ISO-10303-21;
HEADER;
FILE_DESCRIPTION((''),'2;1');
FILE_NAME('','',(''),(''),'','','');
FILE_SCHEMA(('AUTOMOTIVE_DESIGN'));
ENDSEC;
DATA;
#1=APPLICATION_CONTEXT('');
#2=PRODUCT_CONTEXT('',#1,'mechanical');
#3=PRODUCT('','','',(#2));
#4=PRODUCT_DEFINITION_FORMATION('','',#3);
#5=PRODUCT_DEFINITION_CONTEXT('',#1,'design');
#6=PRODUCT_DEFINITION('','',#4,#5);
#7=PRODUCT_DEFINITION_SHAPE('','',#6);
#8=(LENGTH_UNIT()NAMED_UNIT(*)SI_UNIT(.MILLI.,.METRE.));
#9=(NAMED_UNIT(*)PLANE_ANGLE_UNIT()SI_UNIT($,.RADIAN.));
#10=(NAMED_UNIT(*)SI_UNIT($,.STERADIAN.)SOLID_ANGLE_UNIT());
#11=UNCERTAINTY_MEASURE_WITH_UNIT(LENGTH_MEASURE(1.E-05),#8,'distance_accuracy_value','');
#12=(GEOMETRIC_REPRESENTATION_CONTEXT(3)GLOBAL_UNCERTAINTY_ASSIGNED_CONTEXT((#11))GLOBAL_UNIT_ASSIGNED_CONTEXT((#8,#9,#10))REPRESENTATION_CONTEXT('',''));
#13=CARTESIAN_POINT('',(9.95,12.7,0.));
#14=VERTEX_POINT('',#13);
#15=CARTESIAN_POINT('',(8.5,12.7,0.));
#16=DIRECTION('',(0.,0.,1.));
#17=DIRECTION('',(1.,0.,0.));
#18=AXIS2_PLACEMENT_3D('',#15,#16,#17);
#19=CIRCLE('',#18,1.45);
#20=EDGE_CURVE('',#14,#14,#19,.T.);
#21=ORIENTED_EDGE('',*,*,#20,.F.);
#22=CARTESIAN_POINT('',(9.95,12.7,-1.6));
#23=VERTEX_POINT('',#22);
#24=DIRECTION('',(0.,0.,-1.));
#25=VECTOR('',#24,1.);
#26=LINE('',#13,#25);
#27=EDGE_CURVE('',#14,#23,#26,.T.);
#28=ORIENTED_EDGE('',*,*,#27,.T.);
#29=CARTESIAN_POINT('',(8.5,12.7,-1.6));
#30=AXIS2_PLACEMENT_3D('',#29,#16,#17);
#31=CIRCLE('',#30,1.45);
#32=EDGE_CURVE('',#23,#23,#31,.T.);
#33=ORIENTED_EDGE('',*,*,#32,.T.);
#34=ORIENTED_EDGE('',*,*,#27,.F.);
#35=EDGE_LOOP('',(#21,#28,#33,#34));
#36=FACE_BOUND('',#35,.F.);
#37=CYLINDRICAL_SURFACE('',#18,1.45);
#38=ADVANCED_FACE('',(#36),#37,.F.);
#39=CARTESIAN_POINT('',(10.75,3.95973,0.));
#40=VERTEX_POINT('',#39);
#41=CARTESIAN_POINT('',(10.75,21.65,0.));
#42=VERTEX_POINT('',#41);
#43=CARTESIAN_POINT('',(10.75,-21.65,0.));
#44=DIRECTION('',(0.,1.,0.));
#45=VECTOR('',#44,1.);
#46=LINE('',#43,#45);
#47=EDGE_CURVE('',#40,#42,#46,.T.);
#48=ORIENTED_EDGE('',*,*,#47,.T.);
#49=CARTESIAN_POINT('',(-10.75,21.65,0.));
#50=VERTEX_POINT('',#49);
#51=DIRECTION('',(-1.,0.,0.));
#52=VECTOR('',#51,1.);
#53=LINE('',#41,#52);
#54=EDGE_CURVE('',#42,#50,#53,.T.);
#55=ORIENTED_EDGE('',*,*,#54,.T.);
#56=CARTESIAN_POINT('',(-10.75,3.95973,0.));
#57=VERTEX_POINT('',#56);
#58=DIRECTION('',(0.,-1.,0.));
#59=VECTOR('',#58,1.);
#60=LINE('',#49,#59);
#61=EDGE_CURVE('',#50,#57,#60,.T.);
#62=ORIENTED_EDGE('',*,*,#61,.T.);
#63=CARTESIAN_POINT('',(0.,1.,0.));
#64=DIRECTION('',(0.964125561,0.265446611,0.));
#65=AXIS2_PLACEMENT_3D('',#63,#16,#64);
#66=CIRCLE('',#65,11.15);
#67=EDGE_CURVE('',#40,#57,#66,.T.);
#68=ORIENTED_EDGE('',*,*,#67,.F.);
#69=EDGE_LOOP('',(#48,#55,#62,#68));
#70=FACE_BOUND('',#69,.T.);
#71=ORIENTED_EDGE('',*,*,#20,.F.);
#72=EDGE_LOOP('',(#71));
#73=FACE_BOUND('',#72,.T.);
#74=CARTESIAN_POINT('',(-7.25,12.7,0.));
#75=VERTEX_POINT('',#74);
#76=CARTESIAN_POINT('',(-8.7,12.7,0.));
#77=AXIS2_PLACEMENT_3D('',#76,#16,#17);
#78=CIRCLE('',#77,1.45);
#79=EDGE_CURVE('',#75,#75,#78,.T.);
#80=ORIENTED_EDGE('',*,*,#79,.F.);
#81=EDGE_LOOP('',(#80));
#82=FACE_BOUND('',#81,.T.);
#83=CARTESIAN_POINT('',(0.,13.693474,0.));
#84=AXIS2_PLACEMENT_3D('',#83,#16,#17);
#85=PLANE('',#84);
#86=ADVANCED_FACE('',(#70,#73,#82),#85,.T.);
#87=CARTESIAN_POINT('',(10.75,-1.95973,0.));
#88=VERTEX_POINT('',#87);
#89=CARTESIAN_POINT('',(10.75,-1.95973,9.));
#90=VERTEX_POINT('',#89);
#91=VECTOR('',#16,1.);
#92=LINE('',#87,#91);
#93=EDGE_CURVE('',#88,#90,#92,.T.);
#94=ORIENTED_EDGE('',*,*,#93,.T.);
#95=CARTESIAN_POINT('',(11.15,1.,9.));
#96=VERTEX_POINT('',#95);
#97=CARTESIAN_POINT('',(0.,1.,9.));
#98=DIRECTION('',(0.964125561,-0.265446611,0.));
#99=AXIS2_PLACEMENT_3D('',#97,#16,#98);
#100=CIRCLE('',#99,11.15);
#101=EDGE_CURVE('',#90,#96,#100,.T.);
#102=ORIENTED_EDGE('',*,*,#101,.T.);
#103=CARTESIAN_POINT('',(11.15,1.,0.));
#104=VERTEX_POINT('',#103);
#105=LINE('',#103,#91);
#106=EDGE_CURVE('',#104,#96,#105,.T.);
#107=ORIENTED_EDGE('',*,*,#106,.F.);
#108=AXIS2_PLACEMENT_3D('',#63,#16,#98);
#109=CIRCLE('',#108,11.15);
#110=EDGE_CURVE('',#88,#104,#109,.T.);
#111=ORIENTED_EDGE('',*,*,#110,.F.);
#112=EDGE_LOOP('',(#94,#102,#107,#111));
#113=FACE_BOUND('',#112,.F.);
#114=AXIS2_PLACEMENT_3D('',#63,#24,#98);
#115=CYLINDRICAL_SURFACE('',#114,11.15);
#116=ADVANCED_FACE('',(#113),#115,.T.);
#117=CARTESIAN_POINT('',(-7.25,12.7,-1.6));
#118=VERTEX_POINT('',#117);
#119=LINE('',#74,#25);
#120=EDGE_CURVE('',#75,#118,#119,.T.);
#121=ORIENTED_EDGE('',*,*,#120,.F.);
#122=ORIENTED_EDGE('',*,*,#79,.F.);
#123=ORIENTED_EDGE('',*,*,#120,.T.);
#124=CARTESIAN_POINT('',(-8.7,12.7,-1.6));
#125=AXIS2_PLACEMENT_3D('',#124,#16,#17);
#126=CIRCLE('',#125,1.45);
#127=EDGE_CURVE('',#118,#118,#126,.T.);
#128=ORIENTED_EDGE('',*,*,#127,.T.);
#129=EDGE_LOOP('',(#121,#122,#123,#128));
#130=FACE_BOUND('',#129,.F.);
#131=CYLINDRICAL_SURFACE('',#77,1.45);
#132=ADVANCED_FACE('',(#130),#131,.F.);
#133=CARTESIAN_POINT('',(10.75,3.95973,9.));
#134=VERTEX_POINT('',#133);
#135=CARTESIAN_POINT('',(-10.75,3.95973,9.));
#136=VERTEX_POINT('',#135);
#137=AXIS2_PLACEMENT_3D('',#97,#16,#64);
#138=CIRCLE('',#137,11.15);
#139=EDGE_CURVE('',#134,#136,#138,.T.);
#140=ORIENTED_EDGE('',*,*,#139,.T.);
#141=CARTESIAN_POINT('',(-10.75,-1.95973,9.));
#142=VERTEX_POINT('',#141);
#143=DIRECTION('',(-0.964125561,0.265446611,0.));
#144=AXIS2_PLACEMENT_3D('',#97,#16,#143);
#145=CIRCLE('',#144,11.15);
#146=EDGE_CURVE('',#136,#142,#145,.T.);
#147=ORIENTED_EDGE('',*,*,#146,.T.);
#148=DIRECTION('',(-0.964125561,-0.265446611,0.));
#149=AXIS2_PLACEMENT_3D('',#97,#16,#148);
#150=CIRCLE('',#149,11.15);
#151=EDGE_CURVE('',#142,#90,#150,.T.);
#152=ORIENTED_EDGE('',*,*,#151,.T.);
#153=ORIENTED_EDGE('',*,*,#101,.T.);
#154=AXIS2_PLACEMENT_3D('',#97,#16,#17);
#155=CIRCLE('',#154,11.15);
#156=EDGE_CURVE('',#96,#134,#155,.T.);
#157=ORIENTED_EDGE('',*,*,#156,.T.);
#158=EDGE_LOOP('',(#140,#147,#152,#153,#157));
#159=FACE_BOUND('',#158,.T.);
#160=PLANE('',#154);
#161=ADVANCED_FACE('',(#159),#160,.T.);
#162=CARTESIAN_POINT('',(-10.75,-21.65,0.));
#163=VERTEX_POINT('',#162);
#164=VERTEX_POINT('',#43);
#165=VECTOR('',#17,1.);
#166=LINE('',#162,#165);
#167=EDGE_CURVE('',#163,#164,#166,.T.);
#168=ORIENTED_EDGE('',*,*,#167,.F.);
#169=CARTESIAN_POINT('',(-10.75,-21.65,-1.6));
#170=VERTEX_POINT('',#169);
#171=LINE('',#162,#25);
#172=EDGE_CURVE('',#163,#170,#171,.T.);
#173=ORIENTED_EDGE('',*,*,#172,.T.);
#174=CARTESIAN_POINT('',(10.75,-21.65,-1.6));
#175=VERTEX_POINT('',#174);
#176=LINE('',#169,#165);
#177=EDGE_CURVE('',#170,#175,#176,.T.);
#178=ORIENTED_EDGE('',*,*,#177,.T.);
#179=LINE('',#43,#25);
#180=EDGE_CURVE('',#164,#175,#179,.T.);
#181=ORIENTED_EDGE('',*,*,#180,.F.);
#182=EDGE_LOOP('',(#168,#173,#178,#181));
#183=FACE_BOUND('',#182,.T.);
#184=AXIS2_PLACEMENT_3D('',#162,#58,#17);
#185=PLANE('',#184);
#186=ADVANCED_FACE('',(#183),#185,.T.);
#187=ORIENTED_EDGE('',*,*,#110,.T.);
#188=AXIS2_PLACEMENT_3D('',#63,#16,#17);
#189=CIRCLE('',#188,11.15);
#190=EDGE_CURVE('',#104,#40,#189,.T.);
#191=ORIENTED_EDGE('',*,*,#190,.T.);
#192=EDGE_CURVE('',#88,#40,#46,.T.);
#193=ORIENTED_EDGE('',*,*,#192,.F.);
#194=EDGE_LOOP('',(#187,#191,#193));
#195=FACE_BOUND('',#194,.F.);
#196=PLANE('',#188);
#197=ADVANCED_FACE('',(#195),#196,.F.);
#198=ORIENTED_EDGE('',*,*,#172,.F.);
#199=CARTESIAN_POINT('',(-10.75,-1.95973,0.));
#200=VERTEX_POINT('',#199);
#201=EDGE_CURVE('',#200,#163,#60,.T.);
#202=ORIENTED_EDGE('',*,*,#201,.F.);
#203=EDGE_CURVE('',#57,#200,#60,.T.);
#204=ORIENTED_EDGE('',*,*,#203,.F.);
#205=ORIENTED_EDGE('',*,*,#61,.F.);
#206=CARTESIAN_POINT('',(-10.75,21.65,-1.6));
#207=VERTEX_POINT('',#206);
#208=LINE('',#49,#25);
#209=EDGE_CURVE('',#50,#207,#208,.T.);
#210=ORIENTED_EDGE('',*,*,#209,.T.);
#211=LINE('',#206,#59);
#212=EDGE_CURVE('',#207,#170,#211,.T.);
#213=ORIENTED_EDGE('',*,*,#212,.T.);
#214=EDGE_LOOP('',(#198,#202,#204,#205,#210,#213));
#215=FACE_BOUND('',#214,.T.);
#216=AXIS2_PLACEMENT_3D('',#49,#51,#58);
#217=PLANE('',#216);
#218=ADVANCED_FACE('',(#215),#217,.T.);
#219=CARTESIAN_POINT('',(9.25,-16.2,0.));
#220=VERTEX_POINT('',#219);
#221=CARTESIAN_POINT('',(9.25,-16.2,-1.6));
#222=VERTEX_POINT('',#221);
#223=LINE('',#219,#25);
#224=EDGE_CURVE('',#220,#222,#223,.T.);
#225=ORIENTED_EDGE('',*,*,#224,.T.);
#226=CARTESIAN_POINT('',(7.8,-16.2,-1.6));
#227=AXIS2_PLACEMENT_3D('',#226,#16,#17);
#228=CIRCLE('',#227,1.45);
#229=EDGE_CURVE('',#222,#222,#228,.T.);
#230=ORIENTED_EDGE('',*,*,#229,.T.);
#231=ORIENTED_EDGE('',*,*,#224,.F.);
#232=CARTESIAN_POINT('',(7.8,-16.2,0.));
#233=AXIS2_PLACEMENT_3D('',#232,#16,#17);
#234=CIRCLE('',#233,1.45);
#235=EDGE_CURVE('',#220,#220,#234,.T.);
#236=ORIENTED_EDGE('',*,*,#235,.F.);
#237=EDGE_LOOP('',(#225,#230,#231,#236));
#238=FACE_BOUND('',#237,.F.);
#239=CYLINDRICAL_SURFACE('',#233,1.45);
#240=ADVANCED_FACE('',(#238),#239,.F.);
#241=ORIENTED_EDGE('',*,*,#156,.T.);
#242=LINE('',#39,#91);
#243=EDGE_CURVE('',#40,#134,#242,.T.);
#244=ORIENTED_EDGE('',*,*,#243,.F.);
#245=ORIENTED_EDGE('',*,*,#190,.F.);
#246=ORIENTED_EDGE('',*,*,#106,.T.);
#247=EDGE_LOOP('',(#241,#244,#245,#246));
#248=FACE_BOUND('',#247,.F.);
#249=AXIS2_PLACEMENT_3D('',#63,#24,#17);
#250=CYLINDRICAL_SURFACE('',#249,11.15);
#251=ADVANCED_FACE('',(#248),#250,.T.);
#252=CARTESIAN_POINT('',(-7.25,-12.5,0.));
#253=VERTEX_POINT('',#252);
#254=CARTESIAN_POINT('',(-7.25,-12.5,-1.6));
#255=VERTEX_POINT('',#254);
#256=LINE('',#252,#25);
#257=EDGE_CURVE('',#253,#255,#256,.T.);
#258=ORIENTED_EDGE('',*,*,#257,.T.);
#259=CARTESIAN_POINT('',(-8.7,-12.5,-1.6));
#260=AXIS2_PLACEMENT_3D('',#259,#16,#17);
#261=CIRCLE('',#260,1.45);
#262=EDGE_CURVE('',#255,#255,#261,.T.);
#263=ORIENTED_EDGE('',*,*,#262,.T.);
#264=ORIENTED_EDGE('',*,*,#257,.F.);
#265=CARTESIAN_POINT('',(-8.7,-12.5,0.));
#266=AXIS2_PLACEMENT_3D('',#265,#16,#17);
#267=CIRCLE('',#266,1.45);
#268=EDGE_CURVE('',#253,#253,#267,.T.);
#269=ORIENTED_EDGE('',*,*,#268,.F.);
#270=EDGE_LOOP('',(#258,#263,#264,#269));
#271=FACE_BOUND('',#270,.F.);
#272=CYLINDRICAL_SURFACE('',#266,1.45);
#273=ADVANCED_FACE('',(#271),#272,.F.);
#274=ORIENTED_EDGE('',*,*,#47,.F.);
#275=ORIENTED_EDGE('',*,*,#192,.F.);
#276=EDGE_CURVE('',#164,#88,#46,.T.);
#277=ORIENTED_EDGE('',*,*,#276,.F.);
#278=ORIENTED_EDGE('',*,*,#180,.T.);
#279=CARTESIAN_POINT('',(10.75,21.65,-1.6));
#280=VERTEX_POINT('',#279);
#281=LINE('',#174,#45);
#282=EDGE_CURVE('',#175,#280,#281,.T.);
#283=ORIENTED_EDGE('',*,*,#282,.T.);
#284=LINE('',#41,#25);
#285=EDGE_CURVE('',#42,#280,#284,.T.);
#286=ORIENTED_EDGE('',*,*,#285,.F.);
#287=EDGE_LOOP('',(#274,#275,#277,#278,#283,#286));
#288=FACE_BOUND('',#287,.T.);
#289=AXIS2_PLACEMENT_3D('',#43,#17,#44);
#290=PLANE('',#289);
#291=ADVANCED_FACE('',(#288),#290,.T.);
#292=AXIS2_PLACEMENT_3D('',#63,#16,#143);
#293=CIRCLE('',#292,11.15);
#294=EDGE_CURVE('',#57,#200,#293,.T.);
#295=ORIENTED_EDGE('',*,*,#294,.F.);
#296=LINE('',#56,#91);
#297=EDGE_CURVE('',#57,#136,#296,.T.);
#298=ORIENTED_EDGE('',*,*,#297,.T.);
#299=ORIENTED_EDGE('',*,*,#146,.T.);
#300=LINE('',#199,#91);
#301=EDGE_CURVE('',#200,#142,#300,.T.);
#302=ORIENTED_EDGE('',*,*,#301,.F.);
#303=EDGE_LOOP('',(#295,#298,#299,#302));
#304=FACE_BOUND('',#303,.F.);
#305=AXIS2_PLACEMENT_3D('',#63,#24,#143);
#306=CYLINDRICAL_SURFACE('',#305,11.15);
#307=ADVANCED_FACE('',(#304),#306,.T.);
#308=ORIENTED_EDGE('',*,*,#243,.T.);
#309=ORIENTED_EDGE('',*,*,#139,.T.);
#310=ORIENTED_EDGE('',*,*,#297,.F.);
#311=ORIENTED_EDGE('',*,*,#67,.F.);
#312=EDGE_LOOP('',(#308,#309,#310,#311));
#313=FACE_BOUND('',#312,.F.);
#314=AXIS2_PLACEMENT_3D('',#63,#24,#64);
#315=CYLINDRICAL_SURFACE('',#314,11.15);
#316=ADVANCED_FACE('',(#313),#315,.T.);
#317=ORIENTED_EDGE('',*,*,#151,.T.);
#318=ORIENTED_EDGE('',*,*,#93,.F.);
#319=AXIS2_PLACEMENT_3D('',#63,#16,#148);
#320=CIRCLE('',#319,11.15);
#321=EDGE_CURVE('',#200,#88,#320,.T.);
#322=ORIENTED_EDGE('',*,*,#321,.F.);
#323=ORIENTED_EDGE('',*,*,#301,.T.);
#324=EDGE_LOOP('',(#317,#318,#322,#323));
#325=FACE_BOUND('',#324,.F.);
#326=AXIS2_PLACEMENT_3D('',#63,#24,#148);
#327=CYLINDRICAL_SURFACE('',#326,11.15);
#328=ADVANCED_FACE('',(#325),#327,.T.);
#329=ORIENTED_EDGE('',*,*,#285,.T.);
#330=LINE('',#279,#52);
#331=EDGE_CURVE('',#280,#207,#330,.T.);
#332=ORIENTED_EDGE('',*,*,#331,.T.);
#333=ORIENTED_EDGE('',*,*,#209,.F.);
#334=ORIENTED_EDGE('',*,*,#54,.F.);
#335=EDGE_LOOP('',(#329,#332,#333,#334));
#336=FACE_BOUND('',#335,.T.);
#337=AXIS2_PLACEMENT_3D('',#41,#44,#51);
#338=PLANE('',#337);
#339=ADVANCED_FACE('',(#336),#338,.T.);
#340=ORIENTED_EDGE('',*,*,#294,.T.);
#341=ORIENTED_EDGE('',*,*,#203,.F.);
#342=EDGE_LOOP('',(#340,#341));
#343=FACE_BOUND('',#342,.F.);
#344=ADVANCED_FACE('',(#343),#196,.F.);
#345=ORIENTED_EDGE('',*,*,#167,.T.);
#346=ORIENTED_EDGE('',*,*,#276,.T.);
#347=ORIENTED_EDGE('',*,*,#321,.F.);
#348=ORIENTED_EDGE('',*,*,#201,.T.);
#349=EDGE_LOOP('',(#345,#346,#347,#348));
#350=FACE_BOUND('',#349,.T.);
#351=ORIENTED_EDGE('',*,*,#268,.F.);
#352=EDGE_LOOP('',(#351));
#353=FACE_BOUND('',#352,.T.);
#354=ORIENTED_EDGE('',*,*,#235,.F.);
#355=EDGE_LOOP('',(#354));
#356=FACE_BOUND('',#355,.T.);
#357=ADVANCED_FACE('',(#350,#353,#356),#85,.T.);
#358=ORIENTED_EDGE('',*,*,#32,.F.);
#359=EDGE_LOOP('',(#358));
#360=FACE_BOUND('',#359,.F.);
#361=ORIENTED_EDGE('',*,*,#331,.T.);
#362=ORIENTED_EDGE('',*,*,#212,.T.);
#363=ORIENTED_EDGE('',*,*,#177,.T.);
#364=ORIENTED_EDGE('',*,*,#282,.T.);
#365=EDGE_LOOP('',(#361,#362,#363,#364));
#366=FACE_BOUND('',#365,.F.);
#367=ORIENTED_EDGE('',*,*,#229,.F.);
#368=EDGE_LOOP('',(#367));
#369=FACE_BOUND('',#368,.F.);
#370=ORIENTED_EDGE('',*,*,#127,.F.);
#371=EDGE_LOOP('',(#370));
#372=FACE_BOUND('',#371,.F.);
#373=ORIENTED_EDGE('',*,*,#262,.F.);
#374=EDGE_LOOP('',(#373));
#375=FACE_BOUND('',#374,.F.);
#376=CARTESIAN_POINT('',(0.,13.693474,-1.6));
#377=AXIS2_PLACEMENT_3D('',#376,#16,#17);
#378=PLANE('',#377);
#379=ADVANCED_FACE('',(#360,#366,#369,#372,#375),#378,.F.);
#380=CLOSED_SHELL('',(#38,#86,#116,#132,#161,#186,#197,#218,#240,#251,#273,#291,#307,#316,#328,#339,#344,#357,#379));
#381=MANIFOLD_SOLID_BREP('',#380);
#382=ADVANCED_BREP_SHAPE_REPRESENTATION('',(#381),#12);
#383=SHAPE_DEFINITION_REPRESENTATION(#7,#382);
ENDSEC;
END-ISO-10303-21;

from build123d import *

# Parameters (mm, degrees)
F0_R     = 1.45
F1_DEPTH = 1.6
F2_DEPTH = 9


with BuildPart() as f1:
    # F0 (on Top) → F1 (new body)
    with BuildSketch(Plane.XY):
        with BuildLine():
            Line((-10.75, 21.65), (-10.75, 3.9597297174))
            ThreePointArc((-10.75, 3.9597297174), (0, 12.15), (10.75, 3.9597297174))
            Line((10.75, 3.9597297174), (10.75, 21.65))
            Line((10.75, 21.65), (-10.75, 21.65))
        make_face()
        with Locations((-8.7, 12.7)):
            Circle(F0_R, mode=Mode.SUBTRACT)
        with Locations((8.5, 12.7)):
            Circle(F0_R, mode=Mode.SUBTRACT)
        with BuildLine():
            Line((-10.75, 3.9597297174), (-10.75, -1.9597297174))
            ThreePointArc((-10.75, -1.9597297174), (0, -10.15), (10.75, -1.9597297174))
            Line((10.75, -1.9597297174), (10.75, 3.9597297174))
            ThreePointArc((10.75, 3.9597297174), (0, 12.15), (-10.75, 3.9597297174))
        make_face()
        with BuildLine():
            Line((-10.75, -1.9597297174), (-10.75, -21.65))
            Line((-10.75, -21.65), (10.75, -21.65))
            Line((10.75, -21.65), (10.75, -1.9597297174))
            ThreePointArc((10.75, -1.9597297174), (0, -10.15), (-10.75, -1.9597297174))
        make_face()
        with Locations((-8.7, -12.5)):
            Circle(F0_R, mode=Mode.SUBTRACT)
        with Locations((7.8, -16.2)):
            Circle(F0_R, mode=Mode.SUBTRACT)
    extrude(amount=-F1_DEPTH)

    # F0 (on Top) → F2 (join)
    with BuildSketch(Plane.XY):
        with BuildLine():
            Line((-10.75, 3.9597297174), (-10.75, -1.9597297174))
            ThreePointArc((-10.75, -1.9597297174), (0, -10.15), (10.75, -1.9597297174))
            Line((10.75, -1.9597297174), (10.75, 3.9597297174))
            ThreePointArc((10.75, 3.9597297174), (0, 12.15), (-10.75, 3.9597297174))
        make_face()
        with BuildLine():
            ThreePointArc((-10.75, 3.9597297174), (-11.15, 1), (-10.75, -1.9597297174))
            Line((-10.75, -1.9597297174), (-10.75, 3.9597297174))
        make_face()
        with BuildLine():
            Line((10.75, 3.9597297174), (10.75, -1.9597297174))
            ThreePointArc((10.75, -1.9597297174), (11.049547502, -0.4933184523), (11.15, 1))
            ThreePointArc((11.15, 1), (11.049547502, 2.4933184523), (10.75, 3.9597297174))
        make_face()
    extrude(amount=F2_DEPTH)


solid = f1.part
